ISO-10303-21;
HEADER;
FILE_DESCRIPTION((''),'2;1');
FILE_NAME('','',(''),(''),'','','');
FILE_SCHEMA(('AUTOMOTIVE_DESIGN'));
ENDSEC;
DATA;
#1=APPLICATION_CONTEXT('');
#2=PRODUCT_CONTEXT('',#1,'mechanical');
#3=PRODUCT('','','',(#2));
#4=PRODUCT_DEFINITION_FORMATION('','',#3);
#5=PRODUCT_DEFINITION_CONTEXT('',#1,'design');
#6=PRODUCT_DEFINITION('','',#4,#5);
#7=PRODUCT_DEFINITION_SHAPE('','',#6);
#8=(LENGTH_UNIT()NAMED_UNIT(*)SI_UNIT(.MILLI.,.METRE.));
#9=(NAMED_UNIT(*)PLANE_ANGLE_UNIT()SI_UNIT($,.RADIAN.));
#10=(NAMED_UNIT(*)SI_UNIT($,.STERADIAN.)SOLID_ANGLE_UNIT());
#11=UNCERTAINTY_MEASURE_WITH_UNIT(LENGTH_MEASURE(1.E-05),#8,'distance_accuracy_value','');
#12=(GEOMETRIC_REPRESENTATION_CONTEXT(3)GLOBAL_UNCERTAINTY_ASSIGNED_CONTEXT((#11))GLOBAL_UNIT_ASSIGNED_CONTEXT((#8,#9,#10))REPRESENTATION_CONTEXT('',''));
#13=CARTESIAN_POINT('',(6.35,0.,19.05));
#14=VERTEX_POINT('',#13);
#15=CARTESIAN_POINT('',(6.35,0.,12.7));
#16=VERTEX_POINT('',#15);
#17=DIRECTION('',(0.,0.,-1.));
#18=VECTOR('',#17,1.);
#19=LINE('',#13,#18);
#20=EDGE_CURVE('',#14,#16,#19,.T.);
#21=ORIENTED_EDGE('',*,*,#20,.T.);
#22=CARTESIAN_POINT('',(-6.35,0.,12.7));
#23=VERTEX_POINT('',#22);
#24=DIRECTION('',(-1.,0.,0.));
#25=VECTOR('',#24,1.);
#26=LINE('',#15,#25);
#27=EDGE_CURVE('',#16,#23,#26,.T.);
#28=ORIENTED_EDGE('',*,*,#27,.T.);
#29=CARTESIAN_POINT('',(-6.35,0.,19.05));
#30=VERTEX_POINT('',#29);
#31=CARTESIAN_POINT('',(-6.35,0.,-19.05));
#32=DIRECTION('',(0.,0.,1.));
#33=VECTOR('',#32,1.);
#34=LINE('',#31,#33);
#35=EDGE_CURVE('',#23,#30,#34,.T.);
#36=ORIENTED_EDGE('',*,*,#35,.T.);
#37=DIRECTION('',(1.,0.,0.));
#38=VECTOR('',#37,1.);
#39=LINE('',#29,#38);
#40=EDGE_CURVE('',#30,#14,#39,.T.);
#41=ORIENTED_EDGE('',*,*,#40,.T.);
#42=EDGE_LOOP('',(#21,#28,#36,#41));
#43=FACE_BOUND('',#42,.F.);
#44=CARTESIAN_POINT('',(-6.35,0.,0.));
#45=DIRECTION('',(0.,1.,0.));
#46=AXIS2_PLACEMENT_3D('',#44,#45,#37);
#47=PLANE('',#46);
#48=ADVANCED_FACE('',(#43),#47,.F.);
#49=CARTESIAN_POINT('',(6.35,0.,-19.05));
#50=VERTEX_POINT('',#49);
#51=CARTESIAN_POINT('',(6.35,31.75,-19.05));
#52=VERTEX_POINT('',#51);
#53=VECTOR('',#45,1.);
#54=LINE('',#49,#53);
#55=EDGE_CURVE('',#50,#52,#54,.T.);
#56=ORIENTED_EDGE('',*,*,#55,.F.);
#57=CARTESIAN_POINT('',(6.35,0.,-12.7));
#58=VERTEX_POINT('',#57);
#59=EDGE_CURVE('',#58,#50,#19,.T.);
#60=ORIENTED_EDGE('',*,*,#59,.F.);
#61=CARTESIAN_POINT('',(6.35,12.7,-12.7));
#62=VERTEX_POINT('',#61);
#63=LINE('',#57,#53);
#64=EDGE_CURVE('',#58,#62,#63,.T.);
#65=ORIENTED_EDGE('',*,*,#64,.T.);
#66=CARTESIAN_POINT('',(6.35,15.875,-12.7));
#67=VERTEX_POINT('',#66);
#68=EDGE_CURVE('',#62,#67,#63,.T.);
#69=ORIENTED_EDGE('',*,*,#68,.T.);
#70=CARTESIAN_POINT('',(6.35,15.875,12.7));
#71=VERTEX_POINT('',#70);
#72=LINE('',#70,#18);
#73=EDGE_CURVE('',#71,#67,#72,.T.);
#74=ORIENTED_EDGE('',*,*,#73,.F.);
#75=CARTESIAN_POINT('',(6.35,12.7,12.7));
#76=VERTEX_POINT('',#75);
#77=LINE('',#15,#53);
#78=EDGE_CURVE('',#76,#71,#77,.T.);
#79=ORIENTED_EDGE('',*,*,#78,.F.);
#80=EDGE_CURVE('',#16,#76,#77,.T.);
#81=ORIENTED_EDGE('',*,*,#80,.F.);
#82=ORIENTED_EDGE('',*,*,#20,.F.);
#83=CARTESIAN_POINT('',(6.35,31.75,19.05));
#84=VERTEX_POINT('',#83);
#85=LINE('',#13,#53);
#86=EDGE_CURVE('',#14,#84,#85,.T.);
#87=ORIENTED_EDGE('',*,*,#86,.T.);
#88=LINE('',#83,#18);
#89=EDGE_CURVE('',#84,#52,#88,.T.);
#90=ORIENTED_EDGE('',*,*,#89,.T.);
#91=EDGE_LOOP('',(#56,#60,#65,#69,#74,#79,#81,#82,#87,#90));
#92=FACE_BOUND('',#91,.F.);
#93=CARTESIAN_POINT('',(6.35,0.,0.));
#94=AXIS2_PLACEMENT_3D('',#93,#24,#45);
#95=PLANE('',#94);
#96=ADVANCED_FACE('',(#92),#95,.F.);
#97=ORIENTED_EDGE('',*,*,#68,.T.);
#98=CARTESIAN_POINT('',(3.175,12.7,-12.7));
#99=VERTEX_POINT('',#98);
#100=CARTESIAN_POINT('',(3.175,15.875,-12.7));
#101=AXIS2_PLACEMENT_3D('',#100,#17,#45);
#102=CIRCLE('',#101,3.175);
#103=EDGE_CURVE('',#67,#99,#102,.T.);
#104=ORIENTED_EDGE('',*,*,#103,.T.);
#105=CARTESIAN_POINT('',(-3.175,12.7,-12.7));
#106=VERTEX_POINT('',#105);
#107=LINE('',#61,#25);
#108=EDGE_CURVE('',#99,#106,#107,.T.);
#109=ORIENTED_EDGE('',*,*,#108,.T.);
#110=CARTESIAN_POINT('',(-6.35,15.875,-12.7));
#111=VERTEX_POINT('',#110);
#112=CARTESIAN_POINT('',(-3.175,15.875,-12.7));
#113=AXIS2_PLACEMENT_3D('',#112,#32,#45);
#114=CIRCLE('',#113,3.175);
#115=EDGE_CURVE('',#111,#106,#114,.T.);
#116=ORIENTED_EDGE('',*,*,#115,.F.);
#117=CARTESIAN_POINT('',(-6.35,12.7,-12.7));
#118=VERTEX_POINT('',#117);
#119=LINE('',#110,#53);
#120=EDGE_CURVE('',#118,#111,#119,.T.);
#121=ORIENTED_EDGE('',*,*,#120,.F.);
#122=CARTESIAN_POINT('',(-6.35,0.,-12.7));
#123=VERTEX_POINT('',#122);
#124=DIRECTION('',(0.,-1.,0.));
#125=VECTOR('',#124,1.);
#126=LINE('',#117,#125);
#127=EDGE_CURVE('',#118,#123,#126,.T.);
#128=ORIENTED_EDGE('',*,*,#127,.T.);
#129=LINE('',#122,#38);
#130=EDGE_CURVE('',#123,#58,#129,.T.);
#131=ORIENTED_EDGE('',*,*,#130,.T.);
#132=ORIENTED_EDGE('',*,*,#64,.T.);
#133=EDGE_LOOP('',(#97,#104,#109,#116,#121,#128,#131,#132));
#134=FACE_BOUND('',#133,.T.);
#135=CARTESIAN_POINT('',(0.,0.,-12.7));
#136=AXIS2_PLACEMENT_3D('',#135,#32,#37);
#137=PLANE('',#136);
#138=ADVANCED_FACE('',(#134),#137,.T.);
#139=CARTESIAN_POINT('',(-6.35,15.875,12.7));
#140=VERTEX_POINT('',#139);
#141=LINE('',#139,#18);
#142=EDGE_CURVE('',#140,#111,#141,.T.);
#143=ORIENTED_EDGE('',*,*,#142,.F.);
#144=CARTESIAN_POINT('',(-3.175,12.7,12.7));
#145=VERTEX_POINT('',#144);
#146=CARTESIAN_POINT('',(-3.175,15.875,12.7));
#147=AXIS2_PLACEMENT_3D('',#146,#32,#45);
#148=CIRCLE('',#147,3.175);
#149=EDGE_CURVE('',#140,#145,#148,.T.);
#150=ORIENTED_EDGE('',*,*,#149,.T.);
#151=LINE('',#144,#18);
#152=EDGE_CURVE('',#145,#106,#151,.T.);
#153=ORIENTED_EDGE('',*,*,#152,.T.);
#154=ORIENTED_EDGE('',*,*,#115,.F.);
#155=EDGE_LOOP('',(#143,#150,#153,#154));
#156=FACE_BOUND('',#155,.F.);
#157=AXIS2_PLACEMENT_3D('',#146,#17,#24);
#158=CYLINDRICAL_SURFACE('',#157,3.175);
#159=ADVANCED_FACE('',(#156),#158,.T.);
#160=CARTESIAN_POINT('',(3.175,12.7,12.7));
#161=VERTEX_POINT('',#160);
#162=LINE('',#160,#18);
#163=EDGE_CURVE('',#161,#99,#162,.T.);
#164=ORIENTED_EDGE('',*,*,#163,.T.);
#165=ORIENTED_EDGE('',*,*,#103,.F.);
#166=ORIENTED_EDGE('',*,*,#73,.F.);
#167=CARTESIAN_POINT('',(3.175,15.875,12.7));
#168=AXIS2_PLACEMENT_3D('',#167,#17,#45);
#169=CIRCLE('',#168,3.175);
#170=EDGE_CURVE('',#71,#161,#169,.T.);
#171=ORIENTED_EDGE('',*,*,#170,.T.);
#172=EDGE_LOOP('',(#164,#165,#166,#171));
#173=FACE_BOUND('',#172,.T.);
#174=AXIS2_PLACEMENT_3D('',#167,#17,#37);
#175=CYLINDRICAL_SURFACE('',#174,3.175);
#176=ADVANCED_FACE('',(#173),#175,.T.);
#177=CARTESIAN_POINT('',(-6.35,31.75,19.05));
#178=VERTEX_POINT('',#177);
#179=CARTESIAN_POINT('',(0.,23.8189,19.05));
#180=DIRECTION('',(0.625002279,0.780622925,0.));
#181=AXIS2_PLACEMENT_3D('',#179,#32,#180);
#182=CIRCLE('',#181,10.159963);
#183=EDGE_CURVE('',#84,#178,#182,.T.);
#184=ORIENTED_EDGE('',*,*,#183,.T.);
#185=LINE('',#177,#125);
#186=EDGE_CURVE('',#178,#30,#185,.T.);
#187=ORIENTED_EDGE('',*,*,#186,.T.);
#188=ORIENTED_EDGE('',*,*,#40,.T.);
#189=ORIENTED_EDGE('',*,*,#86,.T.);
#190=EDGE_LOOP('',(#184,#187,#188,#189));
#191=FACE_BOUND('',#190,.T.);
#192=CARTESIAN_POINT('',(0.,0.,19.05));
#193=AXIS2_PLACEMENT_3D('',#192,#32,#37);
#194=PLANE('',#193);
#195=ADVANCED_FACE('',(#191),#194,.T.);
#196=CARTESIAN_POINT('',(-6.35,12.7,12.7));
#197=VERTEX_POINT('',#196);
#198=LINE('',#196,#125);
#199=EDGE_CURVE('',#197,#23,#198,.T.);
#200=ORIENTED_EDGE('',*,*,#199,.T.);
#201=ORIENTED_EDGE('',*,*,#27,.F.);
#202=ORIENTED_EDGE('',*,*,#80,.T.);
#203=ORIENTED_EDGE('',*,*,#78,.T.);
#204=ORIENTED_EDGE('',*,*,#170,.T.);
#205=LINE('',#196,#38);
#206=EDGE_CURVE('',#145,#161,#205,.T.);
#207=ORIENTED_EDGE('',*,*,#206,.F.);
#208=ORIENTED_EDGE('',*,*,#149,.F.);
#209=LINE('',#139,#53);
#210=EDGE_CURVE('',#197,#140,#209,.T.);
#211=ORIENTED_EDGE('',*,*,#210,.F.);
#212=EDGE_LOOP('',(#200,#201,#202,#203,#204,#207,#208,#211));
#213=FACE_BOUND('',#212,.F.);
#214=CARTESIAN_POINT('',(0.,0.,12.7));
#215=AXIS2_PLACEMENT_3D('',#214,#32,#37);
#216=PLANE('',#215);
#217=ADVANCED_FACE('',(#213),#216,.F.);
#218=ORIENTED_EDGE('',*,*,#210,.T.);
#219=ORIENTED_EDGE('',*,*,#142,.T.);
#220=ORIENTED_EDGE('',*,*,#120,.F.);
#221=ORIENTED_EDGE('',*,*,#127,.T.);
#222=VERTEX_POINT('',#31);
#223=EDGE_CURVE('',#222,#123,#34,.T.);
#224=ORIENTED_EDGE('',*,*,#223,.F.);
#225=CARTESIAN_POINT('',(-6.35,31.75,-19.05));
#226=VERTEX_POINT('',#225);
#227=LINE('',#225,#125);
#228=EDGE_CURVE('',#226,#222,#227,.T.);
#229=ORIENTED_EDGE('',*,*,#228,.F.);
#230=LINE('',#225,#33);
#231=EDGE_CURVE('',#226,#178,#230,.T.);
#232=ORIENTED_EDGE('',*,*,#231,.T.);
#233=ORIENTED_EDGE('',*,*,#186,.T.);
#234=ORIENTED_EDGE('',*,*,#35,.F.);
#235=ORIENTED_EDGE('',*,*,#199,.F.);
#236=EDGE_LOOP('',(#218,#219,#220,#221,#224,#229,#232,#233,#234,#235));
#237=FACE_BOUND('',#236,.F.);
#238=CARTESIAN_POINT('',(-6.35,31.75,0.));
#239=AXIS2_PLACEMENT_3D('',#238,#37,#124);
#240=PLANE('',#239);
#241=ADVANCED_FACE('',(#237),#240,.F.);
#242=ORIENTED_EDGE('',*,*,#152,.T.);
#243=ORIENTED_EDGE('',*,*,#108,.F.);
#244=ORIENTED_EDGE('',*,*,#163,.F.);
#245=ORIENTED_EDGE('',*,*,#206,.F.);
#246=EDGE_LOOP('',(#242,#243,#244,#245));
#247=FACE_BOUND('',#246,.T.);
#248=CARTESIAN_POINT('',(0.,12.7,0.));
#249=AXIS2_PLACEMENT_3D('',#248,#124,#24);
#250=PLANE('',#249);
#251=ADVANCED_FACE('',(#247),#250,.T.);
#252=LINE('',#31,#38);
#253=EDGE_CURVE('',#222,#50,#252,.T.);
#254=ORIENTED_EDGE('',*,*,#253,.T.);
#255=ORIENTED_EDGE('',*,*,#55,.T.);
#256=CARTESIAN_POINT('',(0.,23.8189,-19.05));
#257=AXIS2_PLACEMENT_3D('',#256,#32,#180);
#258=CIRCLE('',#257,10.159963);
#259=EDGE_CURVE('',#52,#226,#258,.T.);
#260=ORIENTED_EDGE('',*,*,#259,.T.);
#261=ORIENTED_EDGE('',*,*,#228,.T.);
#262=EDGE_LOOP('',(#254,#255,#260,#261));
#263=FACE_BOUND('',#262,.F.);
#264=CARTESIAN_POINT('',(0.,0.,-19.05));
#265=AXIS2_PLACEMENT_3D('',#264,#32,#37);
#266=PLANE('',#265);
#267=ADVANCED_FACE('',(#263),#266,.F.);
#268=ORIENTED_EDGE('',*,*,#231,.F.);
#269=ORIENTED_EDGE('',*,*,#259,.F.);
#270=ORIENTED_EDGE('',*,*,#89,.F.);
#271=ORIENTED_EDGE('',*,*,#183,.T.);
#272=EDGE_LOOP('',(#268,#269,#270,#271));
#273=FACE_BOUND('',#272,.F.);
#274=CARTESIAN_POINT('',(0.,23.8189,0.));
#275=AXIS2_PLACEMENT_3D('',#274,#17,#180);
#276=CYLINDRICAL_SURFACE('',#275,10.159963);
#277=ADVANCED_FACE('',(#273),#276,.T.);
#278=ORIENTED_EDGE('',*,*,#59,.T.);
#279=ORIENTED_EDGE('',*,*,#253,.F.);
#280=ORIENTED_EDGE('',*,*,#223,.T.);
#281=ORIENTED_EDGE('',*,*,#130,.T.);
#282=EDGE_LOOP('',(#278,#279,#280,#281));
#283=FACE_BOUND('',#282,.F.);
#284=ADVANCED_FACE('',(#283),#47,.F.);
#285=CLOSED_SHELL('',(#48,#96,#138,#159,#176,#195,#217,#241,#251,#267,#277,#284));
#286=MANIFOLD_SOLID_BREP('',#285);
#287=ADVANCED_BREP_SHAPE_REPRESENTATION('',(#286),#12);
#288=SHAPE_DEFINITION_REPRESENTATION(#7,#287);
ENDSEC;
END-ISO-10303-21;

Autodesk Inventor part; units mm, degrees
ref_plane "YZ Plane" through (0, 0, 0) normal (1, 0, 0) x (0, 1, 0)
ref_plane "XZ Plane" through (0, 0, 0) normal (0, 1, 0) x (-1, 0, 0)
ref_plane "XY Plane" through (0, 0, 0) normal (0, 0, 1) x (1, 0, 0)
sketch "Sketch1" plane through (0, 0, 0) normal (0, 0, 1) x (1, 0, 0)
  line L0 (-6.35, 31.75) -> (-6.35, 0)
  line L1 (-6.35, 0) -> (6.35, 0)
  line L2 (6.35, 0) -> (6.35, 31.75)
  arc A0 (6.35, 31.75) -> (-6.35, 31.75) centre (0, 23.8189) ccw
  point P0 (0, 0)
  dimension "d1" = 31.75
  dimension "d2" = 12.7
  dimension "d3" = 10.16
extrude "Extrusion1" add sketch "Sketch1" along normal mid plane 38.1
sketch "Sketch2" plane through (0, 0, 0) normal (0, 0, 1) x (1, 0, 0)
  line L0 (-6.35, 0) -> (6.35, 0)
  line L1 (6.35, 0) -> (6.35, 12.7)
  line L2 (6.35, 12.7) -> (-6.35, 12.7)
  line L3 (-6.35, 12.7) -> (-6.35, 0)
  line L4 (0, -2.54) -> (0, 15.24) projected
  point P0 (0, 0)
  dimension "d6" = 12.7
  dimension "d7" = 6.35
  dimension "d10" = 12.7
extrude "Extrusion2" cut sketch "Sketch2" along normal mid plane 25.4
fillet "Fillet1" radius 3.175 2 edges at (-6.35, 12.7, 0) (6.35, 12.7, 0)
equation "\"d7\" = 0.5 * d6"
properties part number "Odyssey Bushing"
